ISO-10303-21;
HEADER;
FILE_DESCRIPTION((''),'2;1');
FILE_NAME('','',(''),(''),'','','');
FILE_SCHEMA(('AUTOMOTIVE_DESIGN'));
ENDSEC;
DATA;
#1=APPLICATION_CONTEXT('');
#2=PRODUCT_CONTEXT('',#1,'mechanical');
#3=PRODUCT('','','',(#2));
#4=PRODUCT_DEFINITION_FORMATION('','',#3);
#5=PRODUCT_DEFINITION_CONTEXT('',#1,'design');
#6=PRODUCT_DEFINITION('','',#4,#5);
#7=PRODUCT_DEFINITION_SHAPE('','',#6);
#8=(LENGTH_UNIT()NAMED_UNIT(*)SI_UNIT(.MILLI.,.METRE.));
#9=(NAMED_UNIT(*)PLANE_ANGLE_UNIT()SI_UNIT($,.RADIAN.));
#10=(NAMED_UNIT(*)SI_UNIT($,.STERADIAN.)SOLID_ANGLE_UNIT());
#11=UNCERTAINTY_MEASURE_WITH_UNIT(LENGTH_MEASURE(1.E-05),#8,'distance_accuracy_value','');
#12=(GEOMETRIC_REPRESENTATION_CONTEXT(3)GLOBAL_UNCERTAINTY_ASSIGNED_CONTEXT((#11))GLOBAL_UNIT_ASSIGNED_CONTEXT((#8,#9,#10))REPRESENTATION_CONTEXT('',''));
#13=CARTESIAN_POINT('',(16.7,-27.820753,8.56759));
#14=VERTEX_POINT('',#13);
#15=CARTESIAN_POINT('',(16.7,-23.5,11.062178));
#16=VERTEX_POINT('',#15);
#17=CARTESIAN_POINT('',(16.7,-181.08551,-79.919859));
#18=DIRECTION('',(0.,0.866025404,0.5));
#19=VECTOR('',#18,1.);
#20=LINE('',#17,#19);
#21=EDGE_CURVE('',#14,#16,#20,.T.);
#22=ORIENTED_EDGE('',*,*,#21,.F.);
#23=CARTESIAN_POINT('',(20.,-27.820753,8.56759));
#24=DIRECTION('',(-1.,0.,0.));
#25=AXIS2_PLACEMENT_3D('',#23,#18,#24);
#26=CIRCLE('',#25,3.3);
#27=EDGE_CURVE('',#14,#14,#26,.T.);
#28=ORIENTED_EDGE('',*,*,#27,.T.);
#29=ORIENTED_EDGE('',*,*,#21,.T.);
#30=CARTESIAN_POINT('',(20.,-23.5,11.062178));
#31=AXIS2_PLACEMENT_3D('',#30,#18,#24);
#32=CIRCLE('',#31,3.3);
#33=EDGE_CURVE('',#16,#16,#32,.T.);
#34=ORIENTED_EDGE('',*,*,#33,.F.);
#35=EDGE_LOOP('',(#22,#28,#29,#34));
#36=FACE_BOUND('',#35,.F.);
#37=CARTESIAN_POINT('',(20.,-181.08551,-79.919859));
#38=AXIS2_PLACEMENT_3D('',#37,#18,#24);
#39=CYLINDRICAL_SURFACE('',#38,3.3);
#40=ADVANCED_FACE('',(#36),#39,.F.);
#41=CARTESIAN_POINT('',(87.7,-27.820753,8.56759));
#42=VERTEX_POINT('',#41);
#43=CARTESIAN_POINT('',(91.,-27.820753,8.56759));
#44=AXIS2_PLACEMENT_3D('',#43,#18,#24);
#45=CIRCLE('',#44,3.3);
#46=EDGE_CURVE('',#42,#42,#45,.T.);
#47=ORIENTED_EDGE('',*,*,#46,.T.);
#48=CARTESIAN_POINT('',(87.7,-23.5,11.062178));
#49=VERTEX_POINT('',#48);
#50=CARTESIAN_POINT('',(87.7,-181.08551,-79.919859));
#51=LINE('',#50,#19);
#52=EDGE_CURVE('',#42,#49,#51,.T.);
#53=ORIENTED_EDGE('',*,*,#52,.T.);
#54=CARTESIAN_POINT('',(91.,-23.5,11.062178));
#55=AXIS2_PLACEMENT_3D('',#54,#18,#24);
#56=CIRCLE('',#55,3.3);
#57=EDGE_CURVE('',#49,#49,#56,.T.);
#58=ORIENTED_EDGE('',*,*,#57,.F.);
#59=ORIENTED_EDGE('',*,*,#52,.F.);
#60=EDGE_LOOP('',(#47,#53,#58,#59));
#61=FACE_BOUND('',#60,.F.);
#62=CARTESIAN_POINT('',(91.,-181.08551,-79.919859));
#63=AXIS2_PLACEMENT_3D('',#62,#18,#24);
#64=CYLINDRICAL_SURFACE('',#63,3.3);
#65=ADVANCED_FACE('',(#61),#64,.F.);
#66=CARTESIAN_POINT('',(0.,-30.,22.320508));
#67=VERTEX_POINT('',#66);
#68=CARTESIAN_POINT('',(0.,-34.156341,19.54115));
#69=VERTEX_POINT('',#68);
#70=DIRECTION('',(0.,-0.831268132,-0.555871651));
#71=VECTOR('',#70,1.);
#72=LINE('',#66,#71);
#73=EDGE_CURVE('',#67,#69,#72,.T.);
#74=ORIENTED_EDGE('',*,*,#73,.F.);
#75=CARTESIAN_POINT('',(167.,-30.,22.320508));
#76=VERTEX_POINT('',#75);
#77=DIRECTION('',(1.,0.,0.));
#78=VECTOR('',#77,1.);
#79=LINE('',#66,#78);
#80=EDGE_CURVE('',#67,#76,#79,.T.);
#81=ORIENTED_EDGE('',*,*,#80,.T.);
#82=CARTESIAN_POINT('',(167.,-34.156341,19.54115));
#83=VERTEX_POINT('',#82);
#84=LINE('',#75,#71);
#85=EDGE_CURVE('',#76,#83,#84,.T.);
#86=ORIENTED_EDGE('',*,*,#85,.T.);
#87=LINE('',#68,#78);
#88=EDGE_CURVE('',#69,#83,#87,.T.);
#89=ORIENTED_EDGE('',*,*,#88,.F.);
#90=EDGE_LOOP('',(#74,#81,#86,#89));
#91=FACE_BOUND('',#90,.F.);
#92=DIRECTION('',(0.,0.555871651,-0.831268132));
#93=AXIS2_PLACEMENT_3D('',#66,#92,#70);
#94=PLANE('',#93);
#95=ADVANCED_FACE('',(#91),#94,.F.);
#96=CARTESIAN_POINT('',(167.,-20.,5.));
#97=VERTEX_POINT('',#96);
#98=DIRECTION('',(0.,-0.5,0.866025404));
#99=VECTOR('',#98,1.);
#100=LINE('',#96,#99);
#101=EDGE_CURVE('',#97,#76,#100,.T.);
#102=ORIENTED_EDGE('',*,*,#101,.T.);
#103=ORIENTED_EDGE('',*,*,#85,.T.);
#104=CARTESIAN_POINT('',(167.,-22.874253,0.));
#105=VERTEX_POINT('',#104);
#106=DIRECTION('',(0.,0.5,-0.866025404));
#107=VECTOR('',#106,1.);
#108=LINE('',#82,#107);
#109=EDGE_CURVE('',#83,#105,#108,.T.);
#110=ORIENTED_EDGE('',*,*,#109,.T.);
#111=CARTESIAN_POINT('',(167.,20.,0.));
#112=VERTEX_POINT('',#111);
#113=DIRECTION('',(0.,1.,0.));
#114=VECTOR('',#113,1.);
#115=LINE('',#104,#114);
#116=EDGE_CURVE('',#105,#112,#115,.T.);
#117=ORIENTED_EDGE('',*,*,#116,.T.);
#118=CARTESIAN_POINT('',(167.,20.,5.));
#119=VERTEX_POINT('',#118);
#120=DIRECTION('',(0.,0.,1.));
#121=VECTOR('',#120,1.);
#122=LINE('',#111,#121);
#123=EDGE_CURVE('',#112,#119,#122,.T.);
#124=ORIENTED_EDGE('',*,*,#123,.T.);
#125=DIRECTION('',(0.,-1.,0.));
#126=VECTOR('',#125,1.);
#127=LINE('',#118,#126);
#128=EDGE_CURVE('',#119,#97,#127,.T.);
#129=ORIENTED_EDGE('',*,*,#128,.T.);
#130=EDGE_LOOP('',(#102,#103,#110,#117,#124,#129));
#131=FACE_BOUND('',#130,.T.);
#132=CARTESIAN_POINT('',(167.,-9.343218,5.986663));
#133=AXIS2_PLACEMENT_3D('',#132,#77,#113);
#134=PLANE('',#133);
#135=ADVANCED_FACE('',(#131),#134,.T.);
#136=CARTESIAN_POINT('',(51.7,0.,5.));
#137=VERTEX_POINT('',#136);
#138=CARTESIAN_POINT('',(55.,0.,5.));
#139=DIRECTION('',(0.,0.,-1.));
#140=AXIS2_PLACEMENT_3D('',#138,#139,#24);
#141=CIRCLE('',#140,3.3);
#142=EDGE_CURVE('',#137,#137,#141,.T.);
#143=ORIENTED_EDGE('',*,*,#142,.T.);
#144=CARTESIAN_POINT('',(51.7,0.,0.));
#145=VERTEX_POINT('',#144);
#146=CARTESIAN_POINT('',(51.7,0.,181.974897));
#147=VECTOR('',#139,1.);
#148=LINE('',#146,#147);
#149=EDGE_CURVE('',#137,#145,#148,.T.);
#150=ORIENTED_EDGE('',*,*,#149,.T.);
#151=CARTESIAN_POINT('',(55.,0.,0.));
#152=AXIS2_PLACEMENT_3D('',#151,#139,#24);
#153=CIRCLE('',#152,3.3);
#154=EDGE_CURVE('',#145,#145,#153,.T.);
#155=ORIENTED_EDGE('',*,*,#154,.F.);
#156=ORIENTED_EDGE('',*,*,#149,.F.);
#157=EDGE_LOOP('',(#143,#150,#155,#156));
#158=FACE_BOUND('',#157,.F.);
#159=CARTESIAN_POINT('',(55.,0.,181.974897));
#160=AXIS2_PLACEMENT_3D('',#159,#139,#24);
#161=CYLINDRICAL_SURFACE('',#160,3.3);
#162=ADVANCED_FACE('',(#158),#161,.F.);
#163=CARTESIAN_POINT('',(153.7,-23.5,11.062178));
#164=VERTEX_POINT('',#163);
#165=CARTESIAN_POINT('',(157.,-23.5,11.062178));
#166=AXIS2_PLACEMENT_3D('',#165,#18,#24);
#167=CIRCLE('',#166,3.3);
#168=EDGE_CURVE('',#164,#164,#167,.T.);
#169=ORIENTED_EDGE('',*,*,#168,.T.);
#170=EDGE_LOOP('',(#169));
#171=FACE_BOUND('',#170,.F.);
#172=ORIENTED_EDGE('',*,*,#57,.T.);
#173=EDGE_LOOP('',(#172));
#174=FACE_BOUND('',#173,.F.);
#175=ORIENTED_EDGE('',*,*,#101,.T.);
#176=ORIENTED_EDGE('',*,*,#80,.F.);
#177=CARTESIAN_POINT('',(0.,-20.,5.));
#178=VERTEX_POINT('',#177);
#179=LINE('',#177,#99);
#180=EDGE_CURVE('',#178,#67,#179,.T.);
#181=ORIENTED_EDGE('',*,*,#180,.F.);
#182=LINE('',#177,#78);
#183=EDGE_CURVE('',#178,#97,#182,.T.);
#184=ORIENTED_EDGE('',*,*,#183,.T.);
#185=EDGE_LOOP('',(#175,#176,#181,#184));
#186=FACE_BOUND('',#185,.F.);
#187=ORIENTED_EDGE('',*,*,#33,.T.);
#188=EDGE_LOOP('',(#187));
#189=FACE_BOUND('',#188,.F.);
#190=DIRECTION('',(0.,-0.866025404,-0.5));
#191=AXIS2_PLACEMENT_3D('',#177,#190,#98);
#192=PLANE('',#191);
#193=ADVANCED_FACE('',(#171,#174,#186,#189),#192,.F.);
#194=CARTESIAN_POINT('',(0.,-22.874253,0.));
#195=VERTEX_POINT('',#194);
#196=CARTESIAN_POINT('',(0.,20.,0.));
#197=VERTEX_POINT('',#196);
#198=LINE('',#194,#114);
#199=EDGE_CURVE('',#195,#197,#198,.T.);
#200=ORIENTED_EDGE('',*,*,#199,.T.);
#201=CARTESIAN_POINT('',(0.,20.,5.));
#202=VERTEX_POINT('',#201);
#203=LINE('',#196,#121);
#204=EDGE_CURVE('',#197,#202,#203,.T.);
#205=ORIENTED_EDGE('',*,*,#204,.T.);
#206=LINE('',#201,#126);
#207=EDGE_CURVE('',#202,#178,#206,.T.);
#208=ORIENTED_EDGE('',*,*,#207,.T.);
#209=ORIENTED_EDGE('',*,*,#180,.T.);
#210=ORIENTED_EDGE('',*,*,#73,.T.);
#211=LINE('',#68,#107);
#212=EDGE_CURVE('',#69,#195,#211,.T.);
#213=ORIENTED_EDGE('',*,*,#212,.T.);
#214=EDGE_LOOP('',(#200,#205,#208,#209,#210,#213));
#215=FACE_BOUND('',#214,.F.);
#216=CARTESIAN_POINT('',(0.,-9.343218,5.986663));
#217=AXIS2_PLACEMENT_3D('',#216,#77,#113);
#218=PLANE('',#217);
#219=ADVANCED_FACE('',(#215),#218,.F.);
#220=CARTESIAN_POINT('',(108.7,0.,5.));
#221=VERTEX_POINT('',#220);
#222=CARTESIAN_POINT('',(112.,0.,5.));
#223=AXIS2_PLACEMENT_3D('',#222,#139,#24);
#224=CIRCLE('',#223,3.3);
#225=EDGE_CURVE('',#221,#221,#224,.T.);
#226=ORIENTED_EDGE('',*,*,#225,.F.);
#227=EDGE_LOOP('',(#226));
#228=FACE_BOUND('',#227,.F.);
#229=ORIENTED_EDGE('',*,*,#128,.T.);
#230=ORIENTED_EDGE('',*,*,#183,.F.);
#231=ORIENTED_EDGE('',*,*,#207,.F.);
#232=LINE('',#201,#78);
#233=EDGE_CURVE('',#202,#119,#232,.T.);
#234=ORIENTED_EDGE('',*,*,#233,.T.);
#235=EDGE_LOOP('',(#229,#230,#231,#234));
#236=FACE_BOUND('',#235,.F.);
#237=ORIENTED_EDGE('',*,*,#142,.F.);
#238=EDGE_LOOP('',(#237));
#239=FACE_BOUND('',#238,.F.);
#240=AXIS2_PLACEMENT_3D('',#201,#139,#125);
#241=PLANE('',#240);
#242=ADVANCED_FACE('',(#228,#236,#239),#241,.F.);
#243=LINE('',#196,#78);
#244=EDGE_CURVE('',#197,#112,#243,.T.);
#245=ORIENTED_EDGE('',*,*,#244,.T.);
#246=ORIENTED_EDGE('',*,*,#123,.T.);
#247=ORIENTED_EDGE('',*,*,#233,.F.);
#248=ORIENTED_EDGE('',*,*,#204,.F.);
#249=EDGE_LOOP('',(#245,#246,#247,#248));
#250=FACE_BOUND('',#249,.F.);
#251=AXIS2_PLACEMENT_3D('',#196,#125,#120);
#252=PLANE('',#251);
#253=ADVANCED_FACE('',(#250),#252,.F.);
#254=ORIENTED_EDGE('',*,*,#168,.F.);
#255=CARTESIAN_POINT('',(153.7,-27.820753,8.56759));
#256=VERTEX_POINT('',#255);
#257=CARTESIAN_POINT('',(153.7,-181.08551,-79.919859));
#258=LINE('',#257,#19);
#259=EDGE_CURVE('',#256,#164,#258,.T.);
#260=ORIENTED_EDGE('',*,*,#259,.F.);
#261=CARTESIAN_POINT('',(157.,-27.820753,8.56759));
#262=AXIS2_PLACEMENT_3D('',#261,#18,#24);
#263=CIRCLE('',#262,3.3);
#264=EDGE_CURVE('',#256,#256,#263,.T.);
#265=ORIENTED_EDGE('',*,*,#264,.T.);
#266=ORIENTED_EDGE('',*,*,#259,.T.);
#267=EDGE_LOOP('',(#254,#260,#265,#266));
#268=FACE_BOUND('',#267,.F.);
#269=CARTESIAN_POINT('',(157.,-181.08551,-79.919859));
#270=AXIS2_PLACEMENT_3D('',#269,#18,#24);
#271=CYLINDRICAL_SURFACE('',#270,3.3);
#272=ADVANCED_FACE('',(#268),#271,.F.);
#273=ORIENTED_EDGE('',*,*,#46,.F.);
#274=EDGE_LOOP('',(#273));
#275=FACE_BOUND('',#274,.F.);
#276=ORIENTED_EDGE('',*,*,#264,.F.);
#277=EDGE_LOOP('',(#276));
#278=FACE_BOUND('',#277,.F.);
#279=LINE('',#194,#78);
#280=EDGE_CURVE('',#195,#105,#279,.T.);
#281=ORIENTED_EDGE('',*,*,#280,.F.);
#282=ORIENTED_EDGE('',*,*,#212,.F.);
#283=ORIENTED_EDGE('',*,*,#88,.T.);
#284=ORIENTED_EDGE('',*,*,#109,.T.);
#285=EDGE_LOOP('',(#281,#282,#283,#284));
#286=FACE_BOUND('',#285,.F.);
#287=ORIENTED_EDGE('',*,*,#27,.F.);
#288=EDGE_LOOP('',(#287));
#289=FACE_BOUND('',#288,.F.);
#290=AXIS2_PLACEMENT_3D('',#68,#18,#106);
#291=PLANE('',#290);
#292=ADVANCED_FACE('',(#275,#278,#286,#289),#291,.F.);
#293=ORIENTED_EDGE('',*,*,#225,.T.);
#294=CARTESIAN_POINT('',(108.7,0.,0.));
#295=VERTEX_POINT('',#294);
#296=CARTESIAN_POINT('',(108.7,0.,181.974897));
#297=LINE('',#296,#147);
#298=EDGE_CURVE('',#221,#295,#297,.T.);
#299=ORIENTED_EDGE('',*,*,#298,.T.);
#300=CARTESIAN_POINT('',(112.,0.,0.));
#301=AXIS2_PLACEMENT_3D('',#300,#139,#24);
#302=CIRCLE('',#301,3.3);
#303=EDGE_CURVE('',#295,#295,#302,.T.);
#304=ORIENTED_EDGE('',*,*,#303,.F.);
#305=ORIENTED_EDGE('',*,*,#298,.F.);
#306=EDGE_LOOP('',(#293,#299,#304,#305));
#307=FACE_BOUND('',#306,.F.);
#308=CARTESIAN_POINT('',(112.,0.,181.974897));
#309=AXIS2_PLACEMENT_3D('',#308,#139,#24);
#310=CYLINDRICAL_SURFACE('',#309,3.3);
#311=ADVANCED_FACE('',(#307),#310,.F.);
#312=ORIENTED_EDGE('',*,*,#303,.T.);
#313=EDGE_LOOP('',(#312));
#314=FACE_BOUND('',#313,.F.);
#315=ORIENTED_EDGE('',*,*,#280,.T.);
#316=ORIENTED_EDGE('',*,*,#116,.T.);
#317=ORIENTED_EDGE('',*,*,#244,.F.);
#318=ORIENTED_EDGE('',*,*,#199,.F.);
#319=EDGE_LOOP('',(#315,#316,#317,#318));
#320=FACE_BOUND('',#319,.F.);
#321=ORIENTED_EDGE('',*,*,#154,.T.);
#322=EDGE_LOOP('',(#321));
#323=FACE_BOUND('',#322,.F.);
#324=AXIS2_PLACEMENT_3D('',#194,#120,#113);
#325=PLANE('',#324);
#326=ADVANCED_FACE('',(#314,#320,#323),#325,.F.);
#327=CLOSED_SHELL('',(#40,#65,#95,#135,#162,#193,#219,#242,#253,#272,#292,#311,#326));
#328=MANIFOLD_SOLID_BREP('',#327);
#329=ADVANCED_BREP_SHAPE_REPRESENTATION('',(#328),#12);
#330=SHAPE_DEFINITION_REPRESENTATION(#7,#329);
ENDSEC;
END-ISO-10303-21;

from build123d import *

# Parameters (mm, degrees)
F1_DEPTH = 167
F3_D     = 6.6
F5_D     = 6.6


with BuildPart() as f1:
    # F0 (on Right) → F1 (new body)
    with BuildSketch(Plane.YZ):
        Polygon((-22.8742525516, 0), (20, 0), (20, 5), (-20, 5), (-30, 22.3205080757), (-34.1563406595, 19.5411498184), align=None)
    extrude(amount=F1_DEPTH)

    # F3 (through all)
    with Locations(Plane.XY.offset(5)):
        with Locations((112, 0), (55, 0)):
            Hole(F3_D / 2)

    # F5 (through all)
    with Locations(Plane(origin=(0, -17.1556894137, -9.9048419011), x_dir=(1, 0, 0), z_dir=(0, -0.8660254038, -0.5))):
        with Locations((20, 21.3301270189), (91, 21.3301270189), (157, 21.3301270189)):
            Hole(F5_D / 2)


solid = f1.part
